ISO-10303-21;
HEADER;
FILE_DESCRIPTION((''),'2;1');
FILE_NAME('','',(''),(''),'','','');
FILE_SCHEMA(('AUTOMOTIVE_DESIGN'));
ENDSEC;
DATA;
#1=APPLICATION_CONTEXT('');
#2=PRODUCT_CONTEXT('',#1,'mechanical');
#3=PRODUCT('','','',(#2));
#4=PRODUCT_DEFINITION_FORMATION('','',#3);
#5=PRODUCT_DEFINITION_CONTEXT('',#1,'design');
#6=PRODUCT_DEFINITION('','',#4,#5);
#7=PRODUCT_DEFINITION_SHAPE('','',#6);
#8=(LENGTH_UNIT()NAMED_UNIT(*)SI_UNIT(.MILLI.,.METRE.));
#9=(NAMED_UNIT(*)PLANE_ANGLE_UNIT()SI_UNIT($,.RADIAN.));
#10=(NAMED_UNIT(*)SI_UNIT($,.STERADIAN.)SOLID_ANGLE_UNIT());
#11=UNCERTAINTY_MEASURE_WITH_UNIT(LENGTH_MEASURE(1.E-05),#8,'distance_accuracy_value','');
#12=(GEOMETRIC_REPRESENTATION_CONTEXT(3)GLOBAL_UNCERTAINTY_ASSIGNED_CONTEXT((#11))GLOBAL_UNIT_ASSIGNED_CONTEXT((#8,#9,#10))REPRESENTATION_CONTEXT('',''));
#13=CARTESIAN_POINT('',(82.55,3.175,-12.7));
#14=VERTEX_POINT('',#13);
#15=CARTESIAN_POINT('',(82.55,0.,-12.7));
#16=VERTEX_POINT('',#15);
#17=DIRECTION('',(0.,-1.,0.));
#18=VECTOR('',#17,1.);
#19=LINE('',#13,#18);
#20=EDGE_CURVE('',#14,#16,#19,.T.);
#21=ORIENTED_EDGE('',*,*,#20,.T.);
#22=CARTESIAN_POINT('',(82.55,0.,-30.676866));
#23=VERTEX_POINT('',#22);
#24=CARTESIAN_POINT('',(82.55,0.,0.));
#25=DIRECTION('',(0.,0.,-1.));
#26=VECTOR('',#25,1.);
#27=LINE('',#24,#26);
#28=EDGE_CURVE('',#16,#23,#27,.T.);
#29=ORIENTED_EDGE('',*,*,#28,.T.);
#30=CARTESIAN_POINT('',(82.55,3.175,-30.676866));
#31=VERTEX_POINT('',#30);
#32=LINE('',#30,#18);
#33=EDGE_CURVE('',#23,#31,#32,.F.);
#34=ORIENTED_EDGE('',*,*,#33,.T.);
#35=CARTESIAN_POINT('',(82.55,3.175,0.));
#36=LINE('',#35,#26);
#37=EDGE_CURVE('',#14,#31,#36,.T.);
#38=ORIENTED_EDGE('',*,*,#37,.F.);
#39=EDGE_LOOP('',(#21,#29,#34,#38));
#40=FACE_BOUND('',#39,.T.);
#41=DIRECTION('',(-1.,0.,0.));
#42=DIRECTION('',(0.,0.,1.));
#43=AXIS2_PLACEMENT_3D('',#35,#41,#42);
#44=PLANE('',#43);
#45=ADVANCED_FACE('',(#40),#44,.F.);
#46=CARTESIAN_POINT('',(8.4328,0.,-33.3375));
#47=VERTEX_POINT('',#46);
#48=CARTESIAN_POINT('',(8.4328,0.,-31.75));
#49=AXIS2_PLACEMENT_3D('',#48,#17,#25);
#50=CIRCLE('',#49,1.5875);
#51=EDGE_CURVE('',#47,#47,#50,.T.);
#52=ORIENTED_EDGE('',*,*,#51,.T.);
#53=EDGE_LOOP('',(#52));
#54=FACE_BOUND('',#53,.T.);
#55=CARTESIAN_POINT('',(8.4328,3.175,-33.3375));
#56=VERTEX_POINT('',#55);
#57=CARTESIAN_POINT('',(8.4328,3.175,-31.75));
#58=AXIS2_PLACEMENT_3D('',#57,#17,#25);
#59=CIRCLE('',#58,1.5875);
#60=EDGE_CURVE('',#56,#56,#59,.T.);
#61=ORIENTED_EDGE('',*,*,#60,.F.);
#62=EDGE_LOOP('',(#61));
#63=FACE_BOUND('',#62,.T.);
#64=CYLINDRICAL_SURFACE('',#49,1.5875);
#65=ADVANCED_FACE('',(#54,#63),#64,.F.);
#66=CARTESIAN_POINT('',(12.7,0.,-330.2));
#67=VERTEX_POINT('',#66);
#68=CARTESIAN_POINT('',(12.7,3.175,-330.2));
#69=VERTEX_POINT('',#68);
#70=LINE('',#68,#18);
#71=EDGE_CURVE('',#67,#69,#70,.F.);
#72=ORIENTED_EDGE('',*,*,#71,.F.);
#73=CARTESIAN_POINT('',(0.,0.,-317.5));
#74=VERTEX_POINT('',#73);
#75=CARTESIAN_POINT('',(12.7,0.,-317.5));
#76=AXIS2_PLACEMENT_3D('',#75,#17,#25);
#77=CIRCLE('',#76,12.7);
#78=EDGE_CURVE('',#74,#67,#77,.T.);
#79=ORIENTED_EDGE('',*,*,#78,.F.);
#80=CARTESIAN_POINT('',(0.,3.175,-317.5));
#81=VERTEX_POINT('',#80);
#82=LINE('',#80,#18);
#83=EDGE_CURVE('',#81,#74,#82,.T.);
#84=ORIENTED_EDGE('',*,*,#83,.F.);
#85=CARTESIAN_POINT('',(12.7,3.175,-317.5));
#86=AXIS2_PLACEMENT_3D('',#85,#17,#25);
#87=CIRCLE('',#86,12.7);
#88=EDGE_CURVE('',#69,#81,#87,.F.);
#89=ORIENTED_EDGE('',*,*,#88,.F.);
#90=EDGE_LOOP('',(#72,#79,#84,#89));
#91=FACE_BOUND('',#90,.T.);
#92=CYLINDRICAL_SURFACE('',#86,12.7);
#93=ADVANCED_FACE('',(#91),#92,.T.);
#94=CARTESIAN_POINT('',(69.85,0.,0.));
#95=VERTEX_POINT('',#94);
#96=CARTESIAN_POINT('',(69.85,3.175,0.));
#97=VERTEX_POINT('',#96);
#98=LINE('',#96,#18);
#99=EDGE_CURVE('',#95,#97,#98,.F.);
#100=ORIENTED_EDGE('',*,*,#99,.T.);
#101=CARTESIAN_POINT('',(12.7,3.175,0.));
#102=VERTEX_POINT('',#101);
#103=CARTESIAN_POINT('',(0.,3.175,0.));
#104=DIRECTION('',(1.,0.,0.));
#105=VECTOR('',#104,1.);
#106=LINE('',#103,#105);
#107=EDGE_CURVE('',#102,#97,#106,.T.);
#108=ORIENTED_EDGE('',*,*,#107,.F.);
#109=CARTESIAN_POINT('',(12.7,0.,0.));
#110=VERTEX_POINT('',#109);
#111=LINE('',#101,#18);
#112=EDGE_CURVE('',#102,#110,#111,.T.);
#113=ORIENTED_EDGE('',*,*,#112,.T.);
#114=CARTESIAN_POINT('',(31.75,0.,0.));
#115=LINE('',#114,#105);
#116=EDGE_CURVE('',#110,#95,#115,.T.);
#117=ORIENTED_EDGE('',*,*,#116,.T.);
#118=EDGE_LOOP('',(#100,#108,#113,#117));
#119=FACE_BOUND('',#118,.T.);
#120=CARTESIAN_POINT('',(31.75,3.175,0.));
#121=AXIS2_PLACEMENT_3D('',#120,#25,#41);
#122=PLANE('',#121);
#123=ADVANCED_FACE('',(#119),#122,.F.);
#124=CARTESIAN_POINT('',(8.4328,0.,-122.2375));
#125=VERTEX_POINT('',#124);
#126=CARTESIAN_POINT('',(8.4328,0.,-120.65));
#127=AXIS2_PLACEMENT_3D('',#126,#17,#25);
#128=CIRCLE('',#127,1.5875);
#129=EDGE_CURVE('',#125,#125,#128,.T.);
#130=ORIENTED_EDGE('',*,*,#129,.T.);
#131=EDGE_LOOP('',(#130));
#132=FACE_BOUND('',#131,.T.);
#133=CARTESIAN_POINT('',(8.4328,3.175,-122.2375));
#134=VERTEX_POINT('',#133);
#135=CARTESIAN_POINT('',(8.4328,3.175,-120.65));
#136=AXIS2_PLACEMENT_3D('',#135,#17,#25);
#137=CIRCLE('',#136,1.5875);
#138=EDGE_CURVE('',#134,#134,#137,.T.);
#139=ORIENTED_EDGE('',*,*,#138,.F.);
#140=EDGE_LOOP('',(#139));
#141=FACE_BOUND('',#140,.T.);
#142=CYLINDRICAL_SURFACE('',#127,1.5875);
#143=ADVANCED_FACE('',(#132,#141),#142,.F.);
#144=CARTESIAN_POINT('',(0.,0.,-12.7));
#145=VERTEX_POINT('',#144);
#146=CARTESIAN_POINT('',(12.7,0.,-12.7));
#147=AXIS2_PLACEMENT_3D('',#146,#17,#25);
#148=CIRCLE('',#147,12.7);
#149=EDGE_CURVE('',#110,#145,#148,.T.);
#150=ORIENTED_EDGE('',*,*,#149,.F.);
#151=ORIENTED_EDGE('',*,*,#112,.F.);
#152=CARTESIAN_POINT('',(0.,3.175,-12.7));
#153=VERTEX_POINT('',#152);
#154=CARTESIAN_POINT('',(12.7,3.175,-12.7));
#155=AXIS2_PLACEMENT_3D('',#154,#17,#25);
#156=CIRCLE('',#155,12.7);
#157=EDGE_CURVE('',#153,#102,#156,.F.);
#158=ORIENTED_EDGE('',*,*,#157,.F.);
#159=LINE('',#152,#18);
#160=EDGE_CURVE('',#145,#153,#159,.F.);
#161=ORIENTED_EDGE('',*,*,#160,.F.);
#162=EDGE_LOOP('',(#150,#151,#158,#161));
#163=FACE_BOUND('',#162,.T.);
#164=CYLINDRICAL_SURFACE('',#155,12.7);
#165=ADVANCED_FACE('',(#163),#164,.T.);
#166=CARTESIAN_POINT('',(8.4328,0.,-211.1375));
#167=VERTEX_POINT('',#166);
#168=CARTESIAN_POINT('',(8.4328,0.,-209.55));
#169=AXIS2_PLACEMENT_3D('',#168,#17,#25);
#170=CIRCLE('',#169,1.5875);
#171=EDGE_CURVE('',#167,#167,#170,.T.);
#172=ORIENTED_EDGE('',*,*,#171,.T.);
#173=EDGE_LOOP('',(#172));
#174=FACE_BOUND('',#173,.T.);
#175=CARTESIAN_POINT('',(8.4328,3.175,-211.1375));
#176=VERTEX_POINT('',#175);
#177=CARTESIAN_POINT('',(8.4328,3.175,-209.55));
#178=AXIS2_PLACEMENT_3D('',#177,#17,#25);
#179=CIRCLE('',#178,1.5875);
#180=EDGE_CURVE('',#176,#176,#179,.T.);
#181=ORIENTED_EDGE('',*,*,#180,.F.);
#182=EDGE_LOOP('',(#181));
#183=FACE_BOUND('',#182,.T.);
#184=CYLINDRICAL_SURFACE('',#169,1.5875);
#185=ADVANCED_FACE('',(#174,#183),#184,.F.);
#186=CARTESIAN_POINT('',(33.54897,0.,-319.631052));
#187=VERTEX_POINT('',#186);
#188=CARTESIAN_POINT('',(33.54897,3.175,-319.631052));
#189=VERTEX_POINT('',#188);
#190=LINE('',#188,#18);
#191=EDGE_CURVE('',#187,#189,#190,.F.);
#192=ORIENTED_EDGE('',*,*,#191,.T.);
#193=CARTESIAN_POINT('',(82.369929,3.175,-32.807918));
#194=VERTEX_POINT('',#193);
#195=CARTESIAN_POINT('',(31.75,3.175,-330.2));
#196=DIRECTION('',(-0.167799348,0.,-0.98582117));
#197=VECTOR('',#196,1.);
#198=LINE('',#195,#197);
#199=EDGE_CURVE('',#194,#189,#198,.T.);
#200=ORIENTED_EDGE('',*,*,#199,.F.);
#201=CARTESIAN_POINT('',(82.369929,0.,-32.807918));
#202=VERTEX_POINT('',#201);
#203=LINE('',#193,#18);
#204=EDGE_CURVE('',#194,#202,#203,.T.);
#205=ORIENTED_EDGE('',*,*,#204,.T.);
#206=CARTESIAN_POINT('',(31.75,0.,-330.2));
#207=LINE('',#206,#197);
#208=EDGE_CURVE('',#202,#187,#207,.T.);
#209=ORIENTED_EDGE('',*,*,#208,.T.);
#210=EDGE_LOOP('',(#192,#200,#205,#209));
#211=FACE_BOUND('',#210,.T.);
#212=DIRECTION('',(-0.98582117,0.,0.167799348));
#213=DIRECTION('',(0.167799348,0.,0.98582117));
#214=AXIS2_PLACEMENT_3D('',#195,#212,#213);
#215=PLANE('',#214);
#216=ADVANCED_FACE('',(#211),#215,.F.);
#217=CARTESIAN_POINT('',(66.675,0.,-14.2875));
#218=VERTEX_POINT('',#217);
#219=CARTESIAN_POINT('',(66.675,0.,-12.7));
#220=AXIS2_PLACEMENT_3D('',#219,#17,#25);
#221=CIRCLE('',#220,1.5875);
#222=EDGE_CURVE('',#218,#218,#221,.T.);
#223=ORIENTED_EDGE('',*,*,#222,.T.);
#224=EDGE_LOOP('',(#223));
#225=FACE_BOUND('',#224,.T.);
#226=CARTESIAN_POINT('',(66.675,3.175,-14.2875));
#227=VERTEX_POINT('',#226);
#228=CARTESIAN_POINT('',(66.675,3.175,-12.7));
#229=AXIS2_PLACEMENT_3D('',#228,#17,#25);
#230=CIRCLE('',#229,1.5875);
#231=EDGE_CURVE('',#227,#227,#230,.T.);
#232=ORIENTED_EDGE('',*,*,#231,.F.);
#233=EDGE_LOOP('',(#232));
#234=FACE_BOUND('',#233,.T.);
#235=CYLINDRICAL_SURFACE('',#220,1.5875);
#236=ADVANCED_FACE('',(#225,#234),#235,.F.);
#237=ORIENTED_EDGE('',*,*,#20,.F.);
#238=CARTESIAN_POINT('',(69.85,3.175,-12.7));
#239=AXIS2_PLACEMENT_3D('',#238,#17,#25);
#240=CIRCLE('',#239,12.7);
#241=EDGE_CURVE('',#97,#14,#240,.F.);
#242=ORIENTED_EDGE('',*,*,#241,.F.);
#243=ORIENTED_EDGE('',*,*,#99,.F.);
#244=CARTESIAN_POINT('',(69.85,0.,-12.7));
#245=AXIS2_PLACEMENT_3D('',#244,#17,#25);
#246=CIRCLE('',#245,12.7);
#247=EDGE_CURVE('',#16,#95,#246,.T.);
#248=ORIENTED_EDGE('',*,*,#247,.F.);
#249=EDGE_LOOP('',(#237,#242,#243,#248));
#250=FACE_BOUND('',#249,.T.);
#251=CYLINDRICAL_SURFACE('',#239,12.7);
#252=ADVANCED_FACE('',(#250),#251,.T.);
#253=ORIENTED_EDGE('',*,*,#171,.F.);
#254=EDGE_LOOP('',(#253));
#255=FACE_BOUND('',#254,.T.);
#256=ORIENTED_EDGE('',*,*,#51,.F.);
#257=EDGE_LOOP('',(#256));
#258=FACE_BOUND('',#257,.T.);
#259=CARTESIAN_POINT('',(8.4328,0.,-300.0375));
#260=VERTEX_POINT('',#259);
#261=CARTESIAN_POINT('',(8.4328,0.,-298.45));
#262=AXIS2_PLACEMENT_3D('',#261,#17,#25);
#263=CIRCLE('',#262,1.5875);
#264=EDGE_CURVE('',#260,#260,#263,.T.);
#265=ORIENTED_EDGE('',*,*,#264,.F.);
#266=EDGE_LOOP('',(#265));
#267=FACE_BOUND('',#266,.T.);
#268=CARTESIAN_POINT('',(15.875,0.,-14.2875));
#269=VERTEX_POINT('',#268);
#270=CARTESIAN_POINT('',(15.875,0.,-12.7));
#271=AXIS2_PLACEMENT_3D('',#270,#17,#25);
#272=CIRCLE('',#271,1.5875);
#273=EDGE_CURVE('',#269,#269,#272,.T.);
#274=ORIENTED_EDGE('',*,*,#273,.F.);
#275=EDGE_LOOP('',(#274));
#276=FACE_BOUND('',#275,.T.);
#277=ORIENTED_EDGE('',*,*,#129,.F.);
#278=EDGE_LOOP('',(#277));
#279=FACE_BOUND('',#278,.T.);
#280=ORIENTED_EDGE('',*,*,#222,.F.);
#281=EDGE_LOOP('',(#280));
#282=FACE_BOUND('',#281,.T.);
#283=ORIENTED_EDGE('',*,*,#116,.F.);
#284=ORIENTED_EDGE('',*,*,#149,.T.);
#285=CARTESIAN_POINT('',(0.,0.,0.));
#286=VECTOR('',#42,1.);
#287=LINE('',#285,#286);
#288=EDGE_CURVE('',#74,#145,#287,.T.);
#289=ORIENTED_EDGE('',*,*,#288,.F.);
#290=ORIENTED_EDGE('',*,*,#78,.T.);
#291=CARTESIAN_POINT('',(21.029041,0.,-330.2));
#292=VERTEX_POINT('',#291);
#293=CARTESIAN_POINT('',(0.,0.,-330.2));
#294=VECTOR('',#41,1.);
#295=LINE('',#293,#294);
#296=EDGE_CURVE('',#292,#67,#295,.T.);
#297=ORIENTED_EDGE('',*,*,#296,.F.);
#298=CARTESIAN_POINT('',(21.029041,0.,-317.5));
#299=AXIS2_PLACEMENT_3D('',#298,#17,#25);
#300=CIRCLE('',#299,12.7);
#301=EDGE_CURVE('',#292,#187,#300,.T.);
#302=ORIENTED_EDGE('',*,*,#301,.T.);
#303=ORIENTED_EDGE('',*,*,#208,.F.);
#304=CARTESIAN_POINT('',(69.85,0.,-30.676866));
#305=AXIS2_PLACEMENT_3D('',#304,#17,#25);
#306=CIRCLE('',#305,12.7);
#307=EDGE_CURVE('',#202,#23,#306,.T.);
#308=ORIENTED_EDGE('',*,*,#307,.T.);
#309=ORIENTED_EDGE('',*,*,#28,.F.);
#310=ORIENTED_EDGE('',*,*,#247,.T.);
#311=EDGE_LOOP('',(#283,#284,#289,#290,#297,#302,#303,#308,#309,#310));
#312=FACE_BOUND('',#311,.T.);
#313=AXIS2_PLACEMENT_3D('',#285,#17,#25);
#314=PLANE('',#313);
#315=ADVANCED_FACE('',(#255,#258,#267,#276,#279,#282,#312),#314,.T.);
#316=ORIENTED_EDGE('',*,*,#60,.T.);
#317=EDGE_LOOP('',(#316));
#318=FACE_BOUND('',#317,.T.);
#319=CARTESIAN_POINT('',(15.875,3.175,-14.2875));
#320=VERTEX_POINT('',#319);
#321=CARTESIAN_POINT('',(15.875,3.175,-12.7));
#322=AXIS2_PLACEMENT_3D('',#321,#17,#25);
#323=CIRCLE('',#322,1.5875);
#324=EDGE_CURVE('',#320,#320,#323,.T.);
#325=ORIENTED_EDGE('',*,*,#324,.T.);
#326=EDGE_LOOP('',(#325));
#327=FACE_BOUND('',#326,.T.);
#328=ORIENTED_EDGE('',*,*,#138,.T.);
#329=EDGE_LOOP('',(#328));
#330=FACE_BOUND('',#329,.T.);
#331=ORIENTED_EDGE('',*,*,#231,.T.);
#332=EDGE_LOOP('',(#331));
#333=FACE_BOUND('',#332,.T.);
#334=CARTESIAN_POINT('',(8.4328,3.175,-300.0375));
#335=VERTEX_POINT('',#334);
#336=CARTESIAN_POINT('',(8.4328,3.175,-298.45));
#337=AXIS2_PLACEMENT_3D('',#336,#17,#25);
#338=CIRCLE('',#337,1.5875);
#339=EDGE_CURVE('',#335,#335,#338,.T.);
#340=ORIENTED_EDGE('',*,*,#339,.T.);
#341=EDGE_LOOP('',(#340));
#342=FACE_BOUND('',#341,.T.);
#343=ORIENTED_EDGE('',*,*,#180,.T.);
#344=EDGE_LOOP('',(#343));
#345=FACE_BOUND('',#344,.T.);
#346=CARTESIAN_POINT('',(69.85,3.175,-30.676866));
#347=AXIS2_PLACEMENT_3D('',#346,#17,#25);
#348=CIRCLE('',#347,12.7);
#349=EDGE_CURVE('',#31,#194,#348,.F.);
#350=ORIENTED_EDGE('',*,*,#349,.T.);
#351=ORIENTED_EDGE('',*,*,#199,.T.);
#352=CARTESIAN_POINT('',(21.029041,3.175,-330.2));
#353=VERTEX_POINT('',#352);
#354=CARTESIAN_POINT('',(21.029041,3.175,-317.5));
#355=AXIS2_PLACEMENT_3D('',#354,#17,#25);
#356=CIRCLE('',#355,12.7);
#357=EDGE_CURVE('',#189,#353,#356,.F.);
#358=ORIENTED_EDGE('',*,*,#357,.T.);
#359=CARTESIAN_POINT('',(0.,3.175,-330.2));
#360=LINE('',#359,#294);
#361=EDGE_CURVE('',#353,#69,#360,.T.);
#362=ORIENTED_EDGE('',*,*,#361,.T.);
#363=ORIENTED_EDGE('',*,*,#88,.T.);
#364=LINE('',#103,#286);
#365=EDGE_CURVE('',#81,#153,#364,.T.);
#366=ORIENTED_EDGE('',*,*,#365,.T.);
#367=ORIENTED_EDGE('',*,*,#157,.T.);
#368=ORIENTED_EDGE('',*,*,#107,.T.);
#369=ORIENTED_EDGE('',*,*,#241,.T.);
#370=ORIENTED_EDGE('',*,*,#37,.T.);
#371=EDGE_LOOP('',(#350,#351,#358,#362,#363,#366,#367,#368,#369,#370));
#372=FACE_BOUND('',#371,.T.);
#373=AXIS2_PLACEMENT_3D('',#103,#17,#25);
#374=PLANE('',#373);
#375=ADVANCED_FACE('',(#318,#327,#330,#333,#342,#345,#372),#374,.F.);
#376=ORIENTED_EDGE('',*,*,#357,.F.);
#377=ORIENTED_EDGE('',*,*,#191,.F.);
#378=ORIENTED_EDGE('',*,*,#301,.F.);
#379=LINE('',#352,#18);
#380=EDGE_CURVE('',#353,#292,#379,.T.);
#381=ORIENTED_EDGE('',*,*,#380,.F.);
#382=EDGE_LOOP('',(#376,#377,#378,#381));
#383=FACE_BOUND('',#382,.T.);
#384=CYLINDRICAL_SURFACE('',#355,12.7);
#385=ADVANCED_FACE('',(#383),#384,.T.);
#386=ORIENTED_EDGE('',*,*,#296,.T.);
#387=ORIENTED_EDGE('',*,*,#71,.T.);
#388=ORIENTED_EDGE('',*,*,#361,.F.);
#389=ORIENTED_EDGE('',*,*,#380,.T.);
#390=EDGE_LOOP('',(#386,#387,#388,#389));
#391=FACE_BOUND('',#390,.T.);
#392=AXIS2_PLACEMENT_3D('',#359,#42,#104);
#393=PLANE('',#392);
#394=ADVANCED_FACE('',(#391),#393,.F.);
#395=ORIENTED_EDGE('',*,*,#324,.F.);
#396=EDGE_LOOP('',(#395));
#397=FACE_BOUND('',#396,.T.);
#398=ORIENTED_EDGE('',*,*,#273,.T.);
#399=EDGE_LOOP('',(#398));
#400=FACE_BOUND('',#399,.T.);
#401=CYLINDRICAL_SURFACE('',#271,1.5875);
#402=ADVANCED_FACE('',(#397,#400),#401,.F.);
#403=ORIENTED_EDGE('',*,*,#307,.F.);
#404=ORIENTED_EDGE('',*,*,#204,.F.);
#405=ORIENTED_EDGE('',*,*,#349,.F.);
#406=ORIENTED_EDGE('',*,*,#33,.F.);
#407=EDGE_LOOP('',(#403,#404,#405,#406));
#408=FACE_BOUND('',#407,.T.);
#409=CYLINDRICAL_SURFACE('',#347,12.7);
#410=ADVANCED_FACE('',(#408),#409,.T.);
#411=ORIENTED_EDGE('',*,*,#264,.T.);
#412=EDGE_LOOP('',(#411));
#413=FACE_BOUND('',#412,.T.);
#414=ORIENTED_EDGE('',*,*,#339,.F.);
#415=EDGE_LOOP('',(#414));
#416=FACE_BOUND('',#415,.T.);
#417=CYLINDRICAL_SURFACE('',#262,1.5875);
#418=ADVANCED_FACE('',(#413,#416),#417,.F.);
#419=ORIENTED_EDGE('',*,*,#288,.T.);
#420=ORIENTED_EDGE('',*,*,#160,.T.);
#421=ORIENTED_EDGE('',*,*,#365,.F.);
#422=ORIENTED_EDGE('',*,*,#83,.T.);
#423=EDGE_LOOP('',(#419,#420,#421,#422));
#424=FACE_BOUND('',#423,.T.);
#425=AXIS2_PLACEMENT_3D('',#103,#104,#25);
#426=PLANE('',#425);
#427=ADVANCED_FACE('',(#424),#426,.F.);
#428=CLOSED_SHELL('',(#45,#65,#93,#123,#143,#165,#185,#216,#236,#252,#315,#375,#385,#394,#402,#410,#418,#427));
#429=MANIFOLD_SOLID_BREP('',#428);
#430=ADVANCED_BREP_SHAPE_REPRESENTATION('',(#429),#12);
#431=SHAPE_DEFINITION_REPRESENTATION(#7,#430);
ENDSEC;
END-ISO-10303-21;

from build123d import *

# Parameters (mm, degrees)
BOSS_EXTRUDE1_DEPTH          = 3.175
FILLET1_R                    = 12.7
F_1_8_0_125_DIAMETER_HOLE1_D = 3.175


with BuildPart() as part:
    # Sketch1 → Boss-Extrude1 (new body)
    with BuildSketch(Plane(origin=(0, 0, 0), x_dir=(1, 0, 0), z_dir=(0, 1, 0))):
        Polygon((31.75, 0), (82.55, 0), (82.55, 31.75), (31.75, 330.2), (0, 330.2), (0, 0), align=None)
    extrude(amount=BOSS_EXTRUDE1_DEPTH)

    # Fillet1
    fillet1_edges = [part.edges().sort_by_distance(p)[0] for p in [
        (0, 1.5875, -330.2),
        (31.75, 1.5875, -330.2),
        (82.55, 1.5875, -31.75),
        (82.55, 1.5875, 0),
        (0, 1.5875, 0),
    ]]
    fillet(fillet1_edges, radius=FILLET1_R)

    # 1/8 (0.125) Diameter Hole1 (through all)
    with Locations(Plane(origin=(0, 0, 0), x_dir=(-1, 0, 0), z_dir=(0, -1, 0))):
        with Locations((-8.4328, 298.45), (-8.4328, 209.55), (-8.4328, 120.65), (-8.4328, 31.75), (-66.675, 12.7), (-15.875, 12.7)):
            Hole(F_1_8_0_125_DIAMETER_HOLE1_D / 2)


solid = part.part
